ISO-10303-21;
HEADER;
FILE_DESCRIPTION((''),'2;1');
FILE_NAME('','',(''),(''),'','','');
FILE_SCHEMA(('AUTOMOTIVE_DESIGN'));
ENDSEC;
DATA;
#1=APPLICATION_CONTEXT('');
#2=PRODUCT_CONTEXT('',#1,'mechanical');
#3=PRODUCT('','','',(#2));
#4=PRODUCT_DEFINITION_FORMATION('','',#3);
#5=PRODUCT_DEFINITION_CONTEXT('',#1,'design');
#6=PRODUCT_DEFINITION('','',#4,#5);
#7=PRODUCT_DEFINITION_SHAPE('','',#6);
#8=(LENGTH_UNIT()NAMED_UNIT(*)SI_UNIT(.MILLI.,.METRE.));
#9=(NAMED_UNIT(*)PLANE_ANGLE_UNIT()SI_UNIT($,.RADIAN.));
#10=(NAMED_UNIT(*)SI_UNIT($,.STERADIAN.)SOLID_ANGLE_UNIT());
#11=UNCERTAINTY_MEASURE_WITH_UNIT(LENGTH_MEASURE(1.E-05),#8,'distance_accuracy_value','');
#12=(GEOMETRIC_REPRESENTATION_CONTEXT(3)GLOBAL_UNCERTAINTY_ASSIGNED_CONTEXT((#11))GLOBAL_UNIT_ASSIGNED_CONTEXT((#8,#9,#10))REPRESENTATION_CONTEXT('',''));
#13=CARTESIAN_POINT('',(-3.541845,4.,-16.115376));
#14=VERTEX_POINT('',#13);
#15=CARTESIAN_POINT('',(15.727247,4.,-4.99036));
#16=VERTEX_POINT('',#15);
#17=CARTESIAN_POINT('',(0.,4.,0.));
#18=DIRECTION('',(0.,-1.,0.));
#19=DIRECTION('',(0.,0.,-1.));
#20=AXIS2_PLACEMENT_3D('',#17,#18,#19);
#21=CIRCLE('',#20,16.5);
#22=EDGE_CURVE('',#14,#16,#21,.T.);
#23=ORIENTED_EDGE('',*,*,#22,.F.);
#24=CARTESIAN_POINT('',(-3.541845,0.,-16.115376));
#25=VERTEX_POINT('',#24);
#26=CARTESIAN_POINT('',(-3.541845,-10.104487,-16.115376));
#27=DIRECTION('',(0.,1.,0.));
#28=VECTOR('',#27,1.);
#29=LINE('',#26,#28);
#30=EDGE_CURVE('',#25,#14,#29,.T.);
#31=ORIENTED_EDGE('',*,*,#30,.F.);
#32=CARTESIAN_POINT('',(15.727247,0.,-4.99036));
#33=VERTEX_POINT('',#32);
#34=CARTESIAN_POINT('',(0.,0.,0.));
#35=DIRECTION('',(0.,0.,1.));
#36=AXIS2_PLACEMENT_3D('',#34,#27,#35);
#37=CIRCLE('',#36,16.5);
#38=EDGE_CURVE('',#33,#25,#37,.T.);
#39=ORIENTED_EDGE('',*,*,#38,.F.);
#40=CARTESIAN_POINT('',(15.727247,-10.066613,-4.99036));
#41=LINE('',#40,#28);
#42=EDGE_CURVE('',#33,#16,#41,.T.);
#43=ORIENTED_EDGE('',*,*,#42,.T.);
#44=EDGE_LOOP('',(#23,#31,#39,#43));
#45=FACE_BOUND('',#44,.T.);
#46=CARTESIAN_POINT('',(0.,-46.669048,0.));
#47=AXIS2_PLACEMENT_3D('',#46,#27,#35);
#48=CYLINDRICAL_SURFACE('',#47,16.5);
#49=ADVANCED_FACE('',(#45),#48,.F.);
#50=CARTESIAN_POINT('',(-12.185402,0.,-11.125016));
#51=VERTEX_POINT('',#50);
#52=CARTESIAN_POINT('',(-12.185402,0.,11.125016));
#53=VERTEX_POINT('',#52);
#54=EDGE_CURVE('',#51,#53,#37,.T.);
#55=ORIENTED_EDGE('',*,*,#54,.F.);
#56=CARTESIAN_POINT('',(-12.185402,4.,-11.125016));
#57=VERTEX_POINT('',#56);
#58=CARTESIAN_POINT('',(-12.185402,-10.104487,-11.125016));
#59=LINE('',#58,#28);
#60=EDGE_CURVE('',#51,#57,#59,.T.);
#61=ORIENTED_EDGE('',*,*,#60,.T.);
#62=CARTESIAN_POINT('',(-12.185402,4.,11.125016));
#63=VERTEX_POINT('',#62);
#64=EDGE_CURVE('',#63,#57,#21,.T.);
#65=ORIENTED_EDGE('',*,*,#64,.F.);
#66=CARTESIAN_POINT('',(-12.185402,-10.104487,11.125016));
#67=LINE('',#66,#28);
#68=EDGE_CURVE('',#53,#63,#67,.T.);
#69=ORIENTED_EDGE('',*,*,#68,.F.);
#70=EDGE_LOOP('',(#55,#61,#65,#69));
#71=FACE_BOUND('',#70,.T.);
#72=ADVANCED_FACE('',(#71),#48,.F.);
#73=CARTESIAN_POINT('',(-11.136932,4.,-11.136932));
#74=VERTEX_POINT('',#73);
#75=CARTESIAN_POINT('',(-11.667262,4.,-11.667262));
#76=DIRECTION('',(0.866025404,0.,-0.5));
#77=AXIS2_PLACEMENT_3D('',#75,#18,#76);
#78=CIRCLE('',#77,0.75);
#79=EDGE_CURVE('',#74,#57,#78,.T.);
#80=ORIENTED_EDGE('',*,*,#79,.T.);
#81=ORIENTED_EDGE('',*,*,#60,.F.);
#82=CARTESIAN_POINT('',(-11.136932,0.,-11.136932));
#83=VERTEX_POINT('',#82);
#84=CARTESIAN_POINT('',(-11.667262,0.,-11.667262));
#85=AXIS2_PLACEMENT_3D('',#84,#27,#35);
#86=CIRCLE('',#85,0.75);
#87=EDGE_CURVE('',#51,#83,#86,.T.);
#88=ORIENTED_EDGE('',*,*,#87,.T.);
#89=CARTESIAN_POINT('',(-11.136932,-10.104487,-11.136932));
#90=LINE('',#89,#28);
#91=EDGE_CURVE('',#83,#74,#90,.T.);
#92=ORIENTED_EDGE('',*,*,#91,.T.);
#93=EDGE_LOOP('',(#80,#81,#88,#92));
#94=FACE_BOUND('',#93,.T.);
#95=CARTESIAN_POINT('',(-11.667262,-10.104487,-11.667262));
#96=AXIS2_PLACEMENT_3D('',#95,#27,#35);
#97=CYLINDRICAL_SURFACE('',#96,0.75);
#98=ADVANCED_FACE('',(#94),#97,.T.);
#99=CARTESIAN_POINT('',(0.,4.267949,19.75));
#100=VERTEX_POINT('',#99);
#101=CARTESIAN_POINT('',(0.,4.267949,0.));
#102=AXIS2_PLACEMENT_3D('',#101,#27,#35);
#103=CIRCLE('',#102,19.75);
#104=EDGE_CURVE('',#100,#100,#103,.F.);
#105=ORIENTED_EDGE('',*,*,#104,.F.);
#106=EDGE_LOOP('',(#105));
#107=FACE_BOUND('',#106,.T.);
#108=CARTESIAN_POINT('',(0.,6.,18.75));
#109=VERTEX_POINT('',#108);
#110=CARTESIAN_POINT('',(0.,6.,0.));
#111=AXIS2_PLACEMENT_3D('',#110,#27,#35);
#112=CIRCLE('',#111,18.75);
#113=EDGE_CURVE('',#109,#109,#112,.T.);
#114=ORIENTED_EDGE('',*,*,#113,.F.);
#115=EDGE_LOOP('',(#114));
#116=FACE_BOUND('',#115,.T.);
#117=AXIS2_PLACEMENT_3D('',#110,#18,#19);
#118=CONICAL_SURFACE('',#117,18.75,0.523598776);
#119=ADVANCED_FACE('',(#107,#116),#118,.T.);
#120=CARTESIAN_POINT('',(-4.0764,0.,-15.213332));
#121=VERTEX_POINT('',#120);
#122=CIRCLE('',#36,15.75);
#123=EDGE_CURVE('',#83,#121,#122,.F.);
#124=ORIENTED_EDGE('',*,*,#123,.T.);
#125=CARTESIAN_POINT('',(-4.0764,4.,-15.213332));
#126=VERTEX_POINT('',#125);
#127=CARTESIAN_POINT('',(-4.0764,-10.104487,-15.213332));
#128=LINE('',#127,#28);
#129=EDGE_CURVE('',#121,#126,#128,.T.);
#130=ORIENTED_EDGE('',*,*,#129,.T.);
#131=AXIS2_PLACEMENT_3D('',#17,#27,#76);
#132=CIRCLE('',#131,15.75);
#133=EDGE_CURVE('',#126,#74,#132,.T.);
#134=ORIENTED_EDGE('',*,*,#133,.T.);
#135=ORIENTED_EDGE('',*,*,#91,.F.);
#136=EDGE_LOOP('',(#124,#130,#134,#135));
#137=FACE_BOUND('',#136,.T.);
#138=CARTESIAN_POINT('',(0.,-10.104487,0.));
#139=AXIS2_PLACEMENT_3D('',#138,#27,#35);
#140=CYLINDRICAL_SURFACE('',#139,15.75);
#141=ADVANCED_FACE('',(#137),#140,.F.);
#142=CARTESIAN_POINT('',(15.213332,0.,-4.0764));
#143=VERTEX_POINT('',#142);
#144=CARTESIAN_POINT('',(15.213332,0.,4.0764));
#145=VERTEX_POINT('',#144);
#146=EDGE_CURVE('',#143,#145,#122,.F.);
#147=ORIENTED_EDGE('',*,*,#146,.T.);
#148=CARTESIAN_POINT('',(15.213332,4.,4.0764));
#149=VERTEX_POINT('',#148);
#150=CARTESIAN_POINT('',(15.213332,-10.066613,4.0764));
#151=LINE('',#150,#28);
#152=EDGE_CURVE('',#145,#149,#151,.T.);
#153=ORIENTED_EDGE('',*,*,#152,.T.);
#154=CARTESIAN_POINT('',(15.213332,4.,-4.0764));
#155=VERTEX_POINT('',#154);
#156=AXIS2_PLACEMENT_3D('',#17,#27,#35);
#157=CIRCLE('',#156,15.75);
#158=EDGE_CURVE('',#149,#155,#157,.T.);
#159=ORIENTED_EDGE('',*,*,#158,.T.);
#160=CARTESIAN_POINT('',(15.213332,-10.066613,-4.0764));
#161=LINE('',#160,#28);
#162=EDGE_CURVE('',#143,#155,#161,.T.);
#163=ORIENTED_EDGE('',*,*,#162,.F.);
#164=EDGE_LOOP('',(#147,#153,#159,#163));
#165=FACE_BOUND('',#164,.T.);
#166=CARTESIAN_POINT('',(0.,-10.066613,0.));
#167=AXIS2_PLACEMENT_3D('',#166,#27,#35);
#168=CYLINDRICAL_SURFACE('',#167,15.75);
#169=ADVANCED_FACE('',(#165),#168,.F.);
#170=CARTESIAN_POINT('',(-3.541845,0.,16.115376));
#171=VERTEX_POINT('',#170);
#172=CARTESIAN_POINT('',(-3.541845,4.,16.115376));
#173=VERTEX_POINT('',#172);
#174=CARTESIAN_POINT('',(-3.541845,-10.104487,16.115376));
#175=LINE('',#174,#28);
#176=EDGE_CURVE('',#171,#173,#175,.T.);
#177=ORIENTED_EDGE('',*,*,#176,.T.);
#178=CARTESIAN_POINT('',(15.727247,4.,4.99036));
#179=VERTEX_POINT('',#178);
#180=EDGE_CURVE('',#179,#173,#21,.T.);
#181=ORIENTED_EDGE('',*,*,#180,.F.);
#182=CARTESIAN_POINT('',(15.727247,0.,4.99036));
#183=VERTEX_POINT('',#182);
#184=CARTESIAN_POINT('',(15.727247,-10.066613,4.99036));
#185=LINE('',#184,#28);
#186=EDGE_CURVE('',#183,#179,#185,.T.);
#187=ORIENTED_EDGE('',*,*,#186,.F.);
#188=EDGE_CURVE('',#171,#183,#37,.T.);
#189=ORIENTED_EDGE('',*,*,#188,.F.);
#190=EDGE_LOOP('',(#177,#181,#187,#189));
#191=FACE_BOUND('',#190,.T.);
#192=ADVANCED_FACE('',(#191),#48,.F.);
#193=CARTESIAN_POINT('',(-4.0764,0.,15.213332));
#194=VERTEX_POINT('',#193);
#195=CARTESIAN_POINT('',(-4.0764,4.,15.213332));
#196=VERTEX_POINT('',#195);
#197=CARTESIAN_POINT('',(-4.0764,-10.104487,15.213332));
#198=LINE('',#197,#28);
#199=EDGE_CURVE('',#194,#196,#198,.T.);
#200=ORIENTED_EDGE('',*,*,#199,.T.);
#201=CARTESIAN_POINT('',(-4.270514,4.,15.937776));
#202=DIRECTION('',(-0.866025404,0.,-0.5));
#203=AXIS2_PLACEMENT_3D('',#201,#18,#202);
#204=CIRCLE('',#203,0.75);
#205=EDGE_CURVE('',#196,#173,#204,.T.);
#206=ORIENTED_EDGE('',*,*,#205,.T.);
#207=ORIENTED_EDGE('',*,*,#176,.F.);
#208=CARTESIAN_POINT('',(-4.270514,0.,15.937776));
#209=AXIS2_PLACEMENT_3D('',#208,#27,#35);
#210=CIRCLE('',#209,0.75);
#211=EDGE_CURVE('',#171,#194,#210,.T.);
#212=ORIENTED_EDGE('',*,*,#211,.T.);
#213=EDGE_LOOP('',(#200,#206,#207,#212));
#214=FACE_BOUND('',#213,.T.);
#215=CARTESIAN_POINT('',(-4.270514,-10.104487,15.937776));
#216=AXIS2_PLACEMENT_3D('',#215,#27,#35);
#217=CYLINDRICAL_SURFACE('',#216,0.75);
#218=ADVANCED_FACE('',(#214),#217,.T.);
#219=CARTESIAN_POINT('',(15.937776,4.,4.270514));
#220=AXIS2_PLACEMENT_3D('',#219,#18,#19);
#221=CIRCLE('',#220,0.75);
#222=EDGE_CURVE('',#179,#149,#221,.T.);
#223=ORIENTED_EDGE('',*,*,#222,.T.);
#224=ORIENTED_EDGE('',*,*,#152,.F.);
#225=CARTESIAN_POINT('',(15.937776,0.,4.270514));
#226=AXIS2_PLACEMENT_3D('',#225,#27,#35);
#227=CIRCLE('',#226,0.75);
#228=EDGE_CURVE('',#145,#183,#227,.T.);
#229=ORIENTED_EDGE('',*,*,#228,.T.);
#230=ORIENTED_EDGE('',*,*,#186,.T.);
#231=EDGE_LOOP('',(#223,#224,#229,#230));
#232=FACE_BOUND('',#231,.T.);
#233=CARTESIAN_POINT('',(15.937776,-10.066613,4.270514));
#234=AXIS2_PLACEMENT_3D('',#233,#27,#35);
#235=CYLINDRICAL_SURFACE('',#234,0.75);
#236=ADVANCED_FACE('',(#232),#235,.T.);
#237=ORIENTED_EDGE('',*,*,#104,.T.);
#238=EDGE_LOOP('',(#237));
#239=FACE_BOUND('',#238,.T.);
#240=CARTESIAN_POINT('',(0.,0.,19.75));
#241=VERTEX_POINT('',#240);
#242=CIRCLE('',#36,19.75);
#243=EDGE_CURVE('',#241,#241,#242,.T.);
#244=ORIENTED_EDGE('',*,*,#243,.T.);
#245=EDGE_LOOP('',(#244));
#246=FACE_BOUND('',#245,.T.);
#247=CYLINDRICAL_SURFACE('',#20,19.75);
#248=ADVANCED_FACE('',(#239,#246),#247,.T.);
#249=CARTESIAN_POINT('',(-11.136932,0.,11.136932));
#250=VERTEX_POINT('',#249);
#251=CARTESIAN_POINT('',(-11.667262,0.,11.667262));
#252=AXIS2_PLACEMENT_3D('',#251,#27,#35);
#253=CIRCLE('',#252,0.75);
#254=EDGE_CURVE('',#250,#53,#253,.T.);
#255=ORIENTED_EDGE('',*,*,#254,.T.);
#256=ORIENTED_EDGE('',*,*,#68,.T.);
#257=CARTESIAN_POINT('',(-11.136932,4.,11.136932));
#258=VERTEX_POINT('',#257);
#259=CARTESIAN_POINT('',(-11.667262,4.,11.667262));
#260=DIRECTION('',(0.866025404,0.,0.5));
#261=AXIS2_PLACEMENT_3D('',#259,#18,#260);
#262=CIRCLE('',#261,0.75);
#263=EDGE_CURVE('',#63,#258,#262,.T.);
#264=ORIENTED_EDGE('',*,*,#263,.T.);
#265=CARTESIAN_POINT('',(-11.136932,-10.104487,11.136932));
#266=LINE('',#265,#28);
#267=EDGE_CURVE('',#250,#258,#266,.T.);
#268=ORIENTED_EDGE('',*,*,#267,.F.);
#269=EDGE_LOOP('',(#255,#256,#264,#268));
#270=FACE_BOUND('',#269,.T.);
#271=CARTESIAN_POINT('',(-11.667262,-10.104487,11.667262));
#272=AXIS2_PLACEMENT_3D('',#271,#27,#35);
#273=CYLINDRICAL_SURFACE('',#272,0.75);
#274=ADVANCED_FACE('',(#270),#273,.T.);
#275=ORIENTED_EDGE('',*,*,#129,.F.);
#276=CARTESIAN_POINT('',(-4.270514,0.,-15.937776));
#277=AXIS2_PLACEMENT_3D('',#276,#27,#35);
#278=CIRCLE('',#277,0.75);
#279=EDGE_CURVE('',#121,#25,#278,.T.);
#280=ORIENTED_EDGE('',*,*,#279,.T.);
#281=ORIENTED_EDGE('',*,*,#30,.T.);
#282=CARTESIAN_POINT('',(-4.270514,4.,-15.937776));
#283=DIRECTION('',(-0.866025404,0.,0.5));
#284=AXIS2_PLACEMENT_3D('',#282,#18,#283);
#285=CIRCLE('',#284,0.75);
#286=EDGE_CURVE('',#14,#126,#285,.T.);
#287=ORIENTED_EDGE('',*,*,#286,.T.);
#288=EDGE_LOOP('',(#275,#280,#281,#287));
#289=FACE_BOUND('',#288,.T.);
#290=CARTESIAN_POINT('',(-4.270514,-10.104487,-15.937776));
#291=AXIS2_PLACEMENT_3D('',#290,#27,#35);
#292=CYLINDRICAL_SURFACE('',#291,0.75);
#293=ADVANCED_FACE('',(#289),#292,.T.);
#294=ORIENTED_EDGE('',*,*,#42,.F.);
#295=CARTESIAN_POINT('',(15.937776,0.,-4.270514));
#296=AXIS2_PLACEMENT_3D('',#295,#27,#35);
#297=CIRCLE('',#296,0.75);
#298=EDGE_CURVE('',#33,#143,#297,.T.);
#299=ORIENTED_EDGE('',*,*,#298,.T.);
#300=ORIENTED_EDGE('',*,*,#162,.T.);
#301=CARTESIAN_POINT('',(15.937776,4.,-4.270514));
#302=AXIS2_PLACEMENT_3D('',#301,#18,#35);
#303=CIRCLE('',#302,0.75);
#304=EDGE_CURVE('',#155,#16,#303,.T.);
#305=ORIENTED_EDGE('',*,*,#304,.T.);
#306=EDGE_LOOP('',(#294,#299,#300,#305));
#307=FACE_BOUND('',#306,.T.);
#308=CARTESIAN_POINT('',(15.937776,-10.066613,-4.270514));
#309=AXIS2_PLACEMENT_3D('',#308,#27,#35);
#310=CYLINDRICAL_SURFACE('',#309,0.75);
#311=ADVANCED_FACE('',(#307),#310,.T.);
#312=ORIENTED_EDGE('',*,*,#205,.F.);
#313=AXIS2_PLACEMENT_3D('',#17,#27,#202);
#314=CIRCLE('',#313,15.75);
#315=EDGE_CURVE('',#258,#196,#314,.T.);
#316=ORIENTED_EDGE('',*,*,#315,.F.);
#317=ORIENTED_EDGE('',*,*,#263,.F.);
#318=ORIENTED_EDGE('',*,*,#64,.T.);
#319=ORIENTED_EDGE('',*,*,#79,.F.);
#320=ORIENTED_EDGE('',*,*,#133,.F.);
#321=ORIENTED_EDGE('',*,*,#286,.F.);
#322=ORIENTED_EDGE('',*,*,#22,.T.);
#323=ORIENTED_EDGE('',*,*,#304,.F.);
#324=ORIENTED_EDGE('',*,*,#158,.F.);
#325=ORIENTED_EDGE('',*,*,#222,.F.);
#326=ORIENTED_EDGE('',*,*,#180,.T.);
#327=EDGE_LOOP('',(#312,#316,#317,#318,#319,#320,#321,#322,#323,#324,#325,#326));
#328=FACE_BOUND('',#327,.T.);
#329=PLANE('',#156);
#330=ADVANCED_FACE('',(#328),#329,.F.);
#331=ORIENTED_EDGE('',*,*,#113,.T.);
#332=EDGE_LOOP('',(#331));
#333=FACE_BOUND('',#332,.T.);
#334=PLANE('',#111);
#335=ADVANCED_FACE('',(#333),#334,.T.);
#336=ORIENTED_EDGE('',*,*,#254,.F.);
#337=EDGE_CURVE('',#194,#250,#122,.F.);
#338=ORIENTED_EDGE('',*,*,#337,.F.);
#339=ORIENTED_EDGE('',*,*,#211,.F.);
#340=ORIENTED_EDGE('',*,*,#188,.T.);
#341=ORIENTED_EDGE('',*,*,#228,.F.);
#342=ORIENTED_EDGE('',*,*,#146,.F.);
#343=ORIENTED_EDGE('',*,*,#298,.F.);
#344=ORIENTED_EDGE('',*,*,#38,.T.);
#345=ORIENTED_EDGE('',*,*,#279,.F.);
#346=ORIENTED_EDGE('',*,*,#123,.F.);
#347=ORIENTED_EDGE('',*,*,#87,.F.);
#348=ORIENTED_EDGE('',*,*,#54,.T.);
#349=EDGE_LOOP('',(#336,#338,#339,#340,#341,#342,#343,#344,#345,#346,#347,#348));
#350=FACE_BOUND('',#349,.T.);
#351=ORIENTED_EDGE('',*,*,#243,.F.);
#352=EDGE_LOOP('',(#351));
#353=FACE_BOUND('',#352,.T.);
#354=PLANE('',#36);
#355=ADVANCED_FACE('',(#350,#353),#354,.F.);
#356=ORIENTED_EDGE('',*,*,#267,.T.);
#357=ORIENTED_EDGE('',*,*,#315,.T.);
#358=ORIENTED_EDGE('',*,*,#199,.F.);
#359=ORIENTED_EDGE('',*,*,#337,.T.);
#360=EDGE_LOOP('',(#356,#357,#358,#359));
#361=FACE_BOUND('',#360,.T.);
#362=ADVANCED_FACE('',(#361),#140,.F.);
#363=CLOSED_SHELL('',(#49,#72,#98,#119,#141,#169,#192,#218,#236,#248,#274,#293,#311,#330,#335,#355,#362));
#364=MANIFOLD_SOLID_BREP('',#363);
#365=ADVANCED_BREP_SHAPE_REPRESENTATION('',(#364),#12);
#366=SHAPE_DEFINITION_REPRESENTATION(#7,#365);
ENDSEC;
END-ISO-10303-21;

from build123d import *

# Parameters (mm, degrees)
SKETCH_1_R               = 19.75
SKETCH_1_R_2             = 15.75
EXTRUDE_1_DEPTH          = 4
SKETCH_2_R               = 19.75
EXTRUDE_2_DEPTH          = 2
SKETCH_3_R               = 16.5
CUT_EXTRUDE_1_DEPTH      = 4
EXTRUDE_3_DEPTH          = 4
PATTERN_CIRCULAR_1_COUNT = 3
CHAMFER_1_SIZE           = 1
CHAMFER_1_SIZE2          = 1.732050808


with BuildPart() as part:
    # 草图1 → 凸台-拉伸1 (new body)
    with BuildSketch(Plane(origin=(0, 0, 0), x_dir=(1, 0, 0), z_dir=(0, 1, 0))):
        with Locations(Location((0, 0, 0), (0, 0, 270))):
            Circle(SKETCH_1_R)
        with Locations(Location((0, 0, 0), (0, 0, 270))):
            Circle(SKETCH_1_R_2, mode=Mode.SUBTRACT)
    extrude(amount=EXTRUDE_1_DEPTH)

    # 草图2 → 凸台-拉伸2 (add)
    with BuildSketch(Plane(origin=(0, 4, 0), x_dir=(1, 0, 0), z_dir=(0, 1, 0))):
        with Locations(Location((0, 0, 0), (0, 0, 270))):
            Circle(SKETCH_2_R)
    extrude(amount=EXTRUDE_2_DEPTH)

    # 草图3 → 切除-拉伸1 (cut)
    with BuildSketch(Plane.XZ.offset(-4)):
        with Locations(Location((0, 0, 0), (0, 0, 90))):
            Circle(SKETCH_3_R)
    extrude(amount=CUT_EXTRUDE_1_DEPTH, mode=Mode.SUBTRACT)

    # 草图4 → 凸台-拉伸3 (add)
    with BuildSketch(Plane.XZ.offset(-4)):
        with BuildLine():
            ThreePointArc((15.727247344, -4.990359803), (15.284037386, -4.638108653), (15.213331764, -4.07639996))
            ThreePointArc((15.213331764, -4.07639996), (15.75, 0), (15.213331764, 4.07639996))
            ThreePointArc((15.213331764, 4.07639996), (15.284037386, 4.638108653), (15.727247344, 4.990359803))
            ThreePointArc((15.727247344, 4.990359803), (16.5, 0), (15.727247344, -4.990359803))
        make_face()
    extrude_3 = extrude(amount=EXTRUDE_3_DEPTH)

    # 阵列(圆周)1: 凸台-拉伸3 ×3 about axis
    pattern_circular_1_axis = Axis((0, 0, 0), (0, 1, 0))
    for i in range(1, PATTERN_CIRCULAR_1_COUNT):
        add(extrude_3.rotate(pattern_circular_1_axis, i * 360 / PATTERN_CIRCULAR_1_COUNT))

    # 倒角1
    chamfer_1_edges = [part.edges().sort_by_distance(p)[0] for p in [
        (0, 6, -19.75),
    ]]
    chamfer_1_side = [part.faces().sort_by_distance(p)[0] for p in [
        (0, 6, 0),
    ]]
    chamfer(chamfer_1_edges, length=CHAMFER_1_SIZE, length2=CHAMFER_1_SIZE2, reference=chamfer_1_side[0])


solid = part.part
